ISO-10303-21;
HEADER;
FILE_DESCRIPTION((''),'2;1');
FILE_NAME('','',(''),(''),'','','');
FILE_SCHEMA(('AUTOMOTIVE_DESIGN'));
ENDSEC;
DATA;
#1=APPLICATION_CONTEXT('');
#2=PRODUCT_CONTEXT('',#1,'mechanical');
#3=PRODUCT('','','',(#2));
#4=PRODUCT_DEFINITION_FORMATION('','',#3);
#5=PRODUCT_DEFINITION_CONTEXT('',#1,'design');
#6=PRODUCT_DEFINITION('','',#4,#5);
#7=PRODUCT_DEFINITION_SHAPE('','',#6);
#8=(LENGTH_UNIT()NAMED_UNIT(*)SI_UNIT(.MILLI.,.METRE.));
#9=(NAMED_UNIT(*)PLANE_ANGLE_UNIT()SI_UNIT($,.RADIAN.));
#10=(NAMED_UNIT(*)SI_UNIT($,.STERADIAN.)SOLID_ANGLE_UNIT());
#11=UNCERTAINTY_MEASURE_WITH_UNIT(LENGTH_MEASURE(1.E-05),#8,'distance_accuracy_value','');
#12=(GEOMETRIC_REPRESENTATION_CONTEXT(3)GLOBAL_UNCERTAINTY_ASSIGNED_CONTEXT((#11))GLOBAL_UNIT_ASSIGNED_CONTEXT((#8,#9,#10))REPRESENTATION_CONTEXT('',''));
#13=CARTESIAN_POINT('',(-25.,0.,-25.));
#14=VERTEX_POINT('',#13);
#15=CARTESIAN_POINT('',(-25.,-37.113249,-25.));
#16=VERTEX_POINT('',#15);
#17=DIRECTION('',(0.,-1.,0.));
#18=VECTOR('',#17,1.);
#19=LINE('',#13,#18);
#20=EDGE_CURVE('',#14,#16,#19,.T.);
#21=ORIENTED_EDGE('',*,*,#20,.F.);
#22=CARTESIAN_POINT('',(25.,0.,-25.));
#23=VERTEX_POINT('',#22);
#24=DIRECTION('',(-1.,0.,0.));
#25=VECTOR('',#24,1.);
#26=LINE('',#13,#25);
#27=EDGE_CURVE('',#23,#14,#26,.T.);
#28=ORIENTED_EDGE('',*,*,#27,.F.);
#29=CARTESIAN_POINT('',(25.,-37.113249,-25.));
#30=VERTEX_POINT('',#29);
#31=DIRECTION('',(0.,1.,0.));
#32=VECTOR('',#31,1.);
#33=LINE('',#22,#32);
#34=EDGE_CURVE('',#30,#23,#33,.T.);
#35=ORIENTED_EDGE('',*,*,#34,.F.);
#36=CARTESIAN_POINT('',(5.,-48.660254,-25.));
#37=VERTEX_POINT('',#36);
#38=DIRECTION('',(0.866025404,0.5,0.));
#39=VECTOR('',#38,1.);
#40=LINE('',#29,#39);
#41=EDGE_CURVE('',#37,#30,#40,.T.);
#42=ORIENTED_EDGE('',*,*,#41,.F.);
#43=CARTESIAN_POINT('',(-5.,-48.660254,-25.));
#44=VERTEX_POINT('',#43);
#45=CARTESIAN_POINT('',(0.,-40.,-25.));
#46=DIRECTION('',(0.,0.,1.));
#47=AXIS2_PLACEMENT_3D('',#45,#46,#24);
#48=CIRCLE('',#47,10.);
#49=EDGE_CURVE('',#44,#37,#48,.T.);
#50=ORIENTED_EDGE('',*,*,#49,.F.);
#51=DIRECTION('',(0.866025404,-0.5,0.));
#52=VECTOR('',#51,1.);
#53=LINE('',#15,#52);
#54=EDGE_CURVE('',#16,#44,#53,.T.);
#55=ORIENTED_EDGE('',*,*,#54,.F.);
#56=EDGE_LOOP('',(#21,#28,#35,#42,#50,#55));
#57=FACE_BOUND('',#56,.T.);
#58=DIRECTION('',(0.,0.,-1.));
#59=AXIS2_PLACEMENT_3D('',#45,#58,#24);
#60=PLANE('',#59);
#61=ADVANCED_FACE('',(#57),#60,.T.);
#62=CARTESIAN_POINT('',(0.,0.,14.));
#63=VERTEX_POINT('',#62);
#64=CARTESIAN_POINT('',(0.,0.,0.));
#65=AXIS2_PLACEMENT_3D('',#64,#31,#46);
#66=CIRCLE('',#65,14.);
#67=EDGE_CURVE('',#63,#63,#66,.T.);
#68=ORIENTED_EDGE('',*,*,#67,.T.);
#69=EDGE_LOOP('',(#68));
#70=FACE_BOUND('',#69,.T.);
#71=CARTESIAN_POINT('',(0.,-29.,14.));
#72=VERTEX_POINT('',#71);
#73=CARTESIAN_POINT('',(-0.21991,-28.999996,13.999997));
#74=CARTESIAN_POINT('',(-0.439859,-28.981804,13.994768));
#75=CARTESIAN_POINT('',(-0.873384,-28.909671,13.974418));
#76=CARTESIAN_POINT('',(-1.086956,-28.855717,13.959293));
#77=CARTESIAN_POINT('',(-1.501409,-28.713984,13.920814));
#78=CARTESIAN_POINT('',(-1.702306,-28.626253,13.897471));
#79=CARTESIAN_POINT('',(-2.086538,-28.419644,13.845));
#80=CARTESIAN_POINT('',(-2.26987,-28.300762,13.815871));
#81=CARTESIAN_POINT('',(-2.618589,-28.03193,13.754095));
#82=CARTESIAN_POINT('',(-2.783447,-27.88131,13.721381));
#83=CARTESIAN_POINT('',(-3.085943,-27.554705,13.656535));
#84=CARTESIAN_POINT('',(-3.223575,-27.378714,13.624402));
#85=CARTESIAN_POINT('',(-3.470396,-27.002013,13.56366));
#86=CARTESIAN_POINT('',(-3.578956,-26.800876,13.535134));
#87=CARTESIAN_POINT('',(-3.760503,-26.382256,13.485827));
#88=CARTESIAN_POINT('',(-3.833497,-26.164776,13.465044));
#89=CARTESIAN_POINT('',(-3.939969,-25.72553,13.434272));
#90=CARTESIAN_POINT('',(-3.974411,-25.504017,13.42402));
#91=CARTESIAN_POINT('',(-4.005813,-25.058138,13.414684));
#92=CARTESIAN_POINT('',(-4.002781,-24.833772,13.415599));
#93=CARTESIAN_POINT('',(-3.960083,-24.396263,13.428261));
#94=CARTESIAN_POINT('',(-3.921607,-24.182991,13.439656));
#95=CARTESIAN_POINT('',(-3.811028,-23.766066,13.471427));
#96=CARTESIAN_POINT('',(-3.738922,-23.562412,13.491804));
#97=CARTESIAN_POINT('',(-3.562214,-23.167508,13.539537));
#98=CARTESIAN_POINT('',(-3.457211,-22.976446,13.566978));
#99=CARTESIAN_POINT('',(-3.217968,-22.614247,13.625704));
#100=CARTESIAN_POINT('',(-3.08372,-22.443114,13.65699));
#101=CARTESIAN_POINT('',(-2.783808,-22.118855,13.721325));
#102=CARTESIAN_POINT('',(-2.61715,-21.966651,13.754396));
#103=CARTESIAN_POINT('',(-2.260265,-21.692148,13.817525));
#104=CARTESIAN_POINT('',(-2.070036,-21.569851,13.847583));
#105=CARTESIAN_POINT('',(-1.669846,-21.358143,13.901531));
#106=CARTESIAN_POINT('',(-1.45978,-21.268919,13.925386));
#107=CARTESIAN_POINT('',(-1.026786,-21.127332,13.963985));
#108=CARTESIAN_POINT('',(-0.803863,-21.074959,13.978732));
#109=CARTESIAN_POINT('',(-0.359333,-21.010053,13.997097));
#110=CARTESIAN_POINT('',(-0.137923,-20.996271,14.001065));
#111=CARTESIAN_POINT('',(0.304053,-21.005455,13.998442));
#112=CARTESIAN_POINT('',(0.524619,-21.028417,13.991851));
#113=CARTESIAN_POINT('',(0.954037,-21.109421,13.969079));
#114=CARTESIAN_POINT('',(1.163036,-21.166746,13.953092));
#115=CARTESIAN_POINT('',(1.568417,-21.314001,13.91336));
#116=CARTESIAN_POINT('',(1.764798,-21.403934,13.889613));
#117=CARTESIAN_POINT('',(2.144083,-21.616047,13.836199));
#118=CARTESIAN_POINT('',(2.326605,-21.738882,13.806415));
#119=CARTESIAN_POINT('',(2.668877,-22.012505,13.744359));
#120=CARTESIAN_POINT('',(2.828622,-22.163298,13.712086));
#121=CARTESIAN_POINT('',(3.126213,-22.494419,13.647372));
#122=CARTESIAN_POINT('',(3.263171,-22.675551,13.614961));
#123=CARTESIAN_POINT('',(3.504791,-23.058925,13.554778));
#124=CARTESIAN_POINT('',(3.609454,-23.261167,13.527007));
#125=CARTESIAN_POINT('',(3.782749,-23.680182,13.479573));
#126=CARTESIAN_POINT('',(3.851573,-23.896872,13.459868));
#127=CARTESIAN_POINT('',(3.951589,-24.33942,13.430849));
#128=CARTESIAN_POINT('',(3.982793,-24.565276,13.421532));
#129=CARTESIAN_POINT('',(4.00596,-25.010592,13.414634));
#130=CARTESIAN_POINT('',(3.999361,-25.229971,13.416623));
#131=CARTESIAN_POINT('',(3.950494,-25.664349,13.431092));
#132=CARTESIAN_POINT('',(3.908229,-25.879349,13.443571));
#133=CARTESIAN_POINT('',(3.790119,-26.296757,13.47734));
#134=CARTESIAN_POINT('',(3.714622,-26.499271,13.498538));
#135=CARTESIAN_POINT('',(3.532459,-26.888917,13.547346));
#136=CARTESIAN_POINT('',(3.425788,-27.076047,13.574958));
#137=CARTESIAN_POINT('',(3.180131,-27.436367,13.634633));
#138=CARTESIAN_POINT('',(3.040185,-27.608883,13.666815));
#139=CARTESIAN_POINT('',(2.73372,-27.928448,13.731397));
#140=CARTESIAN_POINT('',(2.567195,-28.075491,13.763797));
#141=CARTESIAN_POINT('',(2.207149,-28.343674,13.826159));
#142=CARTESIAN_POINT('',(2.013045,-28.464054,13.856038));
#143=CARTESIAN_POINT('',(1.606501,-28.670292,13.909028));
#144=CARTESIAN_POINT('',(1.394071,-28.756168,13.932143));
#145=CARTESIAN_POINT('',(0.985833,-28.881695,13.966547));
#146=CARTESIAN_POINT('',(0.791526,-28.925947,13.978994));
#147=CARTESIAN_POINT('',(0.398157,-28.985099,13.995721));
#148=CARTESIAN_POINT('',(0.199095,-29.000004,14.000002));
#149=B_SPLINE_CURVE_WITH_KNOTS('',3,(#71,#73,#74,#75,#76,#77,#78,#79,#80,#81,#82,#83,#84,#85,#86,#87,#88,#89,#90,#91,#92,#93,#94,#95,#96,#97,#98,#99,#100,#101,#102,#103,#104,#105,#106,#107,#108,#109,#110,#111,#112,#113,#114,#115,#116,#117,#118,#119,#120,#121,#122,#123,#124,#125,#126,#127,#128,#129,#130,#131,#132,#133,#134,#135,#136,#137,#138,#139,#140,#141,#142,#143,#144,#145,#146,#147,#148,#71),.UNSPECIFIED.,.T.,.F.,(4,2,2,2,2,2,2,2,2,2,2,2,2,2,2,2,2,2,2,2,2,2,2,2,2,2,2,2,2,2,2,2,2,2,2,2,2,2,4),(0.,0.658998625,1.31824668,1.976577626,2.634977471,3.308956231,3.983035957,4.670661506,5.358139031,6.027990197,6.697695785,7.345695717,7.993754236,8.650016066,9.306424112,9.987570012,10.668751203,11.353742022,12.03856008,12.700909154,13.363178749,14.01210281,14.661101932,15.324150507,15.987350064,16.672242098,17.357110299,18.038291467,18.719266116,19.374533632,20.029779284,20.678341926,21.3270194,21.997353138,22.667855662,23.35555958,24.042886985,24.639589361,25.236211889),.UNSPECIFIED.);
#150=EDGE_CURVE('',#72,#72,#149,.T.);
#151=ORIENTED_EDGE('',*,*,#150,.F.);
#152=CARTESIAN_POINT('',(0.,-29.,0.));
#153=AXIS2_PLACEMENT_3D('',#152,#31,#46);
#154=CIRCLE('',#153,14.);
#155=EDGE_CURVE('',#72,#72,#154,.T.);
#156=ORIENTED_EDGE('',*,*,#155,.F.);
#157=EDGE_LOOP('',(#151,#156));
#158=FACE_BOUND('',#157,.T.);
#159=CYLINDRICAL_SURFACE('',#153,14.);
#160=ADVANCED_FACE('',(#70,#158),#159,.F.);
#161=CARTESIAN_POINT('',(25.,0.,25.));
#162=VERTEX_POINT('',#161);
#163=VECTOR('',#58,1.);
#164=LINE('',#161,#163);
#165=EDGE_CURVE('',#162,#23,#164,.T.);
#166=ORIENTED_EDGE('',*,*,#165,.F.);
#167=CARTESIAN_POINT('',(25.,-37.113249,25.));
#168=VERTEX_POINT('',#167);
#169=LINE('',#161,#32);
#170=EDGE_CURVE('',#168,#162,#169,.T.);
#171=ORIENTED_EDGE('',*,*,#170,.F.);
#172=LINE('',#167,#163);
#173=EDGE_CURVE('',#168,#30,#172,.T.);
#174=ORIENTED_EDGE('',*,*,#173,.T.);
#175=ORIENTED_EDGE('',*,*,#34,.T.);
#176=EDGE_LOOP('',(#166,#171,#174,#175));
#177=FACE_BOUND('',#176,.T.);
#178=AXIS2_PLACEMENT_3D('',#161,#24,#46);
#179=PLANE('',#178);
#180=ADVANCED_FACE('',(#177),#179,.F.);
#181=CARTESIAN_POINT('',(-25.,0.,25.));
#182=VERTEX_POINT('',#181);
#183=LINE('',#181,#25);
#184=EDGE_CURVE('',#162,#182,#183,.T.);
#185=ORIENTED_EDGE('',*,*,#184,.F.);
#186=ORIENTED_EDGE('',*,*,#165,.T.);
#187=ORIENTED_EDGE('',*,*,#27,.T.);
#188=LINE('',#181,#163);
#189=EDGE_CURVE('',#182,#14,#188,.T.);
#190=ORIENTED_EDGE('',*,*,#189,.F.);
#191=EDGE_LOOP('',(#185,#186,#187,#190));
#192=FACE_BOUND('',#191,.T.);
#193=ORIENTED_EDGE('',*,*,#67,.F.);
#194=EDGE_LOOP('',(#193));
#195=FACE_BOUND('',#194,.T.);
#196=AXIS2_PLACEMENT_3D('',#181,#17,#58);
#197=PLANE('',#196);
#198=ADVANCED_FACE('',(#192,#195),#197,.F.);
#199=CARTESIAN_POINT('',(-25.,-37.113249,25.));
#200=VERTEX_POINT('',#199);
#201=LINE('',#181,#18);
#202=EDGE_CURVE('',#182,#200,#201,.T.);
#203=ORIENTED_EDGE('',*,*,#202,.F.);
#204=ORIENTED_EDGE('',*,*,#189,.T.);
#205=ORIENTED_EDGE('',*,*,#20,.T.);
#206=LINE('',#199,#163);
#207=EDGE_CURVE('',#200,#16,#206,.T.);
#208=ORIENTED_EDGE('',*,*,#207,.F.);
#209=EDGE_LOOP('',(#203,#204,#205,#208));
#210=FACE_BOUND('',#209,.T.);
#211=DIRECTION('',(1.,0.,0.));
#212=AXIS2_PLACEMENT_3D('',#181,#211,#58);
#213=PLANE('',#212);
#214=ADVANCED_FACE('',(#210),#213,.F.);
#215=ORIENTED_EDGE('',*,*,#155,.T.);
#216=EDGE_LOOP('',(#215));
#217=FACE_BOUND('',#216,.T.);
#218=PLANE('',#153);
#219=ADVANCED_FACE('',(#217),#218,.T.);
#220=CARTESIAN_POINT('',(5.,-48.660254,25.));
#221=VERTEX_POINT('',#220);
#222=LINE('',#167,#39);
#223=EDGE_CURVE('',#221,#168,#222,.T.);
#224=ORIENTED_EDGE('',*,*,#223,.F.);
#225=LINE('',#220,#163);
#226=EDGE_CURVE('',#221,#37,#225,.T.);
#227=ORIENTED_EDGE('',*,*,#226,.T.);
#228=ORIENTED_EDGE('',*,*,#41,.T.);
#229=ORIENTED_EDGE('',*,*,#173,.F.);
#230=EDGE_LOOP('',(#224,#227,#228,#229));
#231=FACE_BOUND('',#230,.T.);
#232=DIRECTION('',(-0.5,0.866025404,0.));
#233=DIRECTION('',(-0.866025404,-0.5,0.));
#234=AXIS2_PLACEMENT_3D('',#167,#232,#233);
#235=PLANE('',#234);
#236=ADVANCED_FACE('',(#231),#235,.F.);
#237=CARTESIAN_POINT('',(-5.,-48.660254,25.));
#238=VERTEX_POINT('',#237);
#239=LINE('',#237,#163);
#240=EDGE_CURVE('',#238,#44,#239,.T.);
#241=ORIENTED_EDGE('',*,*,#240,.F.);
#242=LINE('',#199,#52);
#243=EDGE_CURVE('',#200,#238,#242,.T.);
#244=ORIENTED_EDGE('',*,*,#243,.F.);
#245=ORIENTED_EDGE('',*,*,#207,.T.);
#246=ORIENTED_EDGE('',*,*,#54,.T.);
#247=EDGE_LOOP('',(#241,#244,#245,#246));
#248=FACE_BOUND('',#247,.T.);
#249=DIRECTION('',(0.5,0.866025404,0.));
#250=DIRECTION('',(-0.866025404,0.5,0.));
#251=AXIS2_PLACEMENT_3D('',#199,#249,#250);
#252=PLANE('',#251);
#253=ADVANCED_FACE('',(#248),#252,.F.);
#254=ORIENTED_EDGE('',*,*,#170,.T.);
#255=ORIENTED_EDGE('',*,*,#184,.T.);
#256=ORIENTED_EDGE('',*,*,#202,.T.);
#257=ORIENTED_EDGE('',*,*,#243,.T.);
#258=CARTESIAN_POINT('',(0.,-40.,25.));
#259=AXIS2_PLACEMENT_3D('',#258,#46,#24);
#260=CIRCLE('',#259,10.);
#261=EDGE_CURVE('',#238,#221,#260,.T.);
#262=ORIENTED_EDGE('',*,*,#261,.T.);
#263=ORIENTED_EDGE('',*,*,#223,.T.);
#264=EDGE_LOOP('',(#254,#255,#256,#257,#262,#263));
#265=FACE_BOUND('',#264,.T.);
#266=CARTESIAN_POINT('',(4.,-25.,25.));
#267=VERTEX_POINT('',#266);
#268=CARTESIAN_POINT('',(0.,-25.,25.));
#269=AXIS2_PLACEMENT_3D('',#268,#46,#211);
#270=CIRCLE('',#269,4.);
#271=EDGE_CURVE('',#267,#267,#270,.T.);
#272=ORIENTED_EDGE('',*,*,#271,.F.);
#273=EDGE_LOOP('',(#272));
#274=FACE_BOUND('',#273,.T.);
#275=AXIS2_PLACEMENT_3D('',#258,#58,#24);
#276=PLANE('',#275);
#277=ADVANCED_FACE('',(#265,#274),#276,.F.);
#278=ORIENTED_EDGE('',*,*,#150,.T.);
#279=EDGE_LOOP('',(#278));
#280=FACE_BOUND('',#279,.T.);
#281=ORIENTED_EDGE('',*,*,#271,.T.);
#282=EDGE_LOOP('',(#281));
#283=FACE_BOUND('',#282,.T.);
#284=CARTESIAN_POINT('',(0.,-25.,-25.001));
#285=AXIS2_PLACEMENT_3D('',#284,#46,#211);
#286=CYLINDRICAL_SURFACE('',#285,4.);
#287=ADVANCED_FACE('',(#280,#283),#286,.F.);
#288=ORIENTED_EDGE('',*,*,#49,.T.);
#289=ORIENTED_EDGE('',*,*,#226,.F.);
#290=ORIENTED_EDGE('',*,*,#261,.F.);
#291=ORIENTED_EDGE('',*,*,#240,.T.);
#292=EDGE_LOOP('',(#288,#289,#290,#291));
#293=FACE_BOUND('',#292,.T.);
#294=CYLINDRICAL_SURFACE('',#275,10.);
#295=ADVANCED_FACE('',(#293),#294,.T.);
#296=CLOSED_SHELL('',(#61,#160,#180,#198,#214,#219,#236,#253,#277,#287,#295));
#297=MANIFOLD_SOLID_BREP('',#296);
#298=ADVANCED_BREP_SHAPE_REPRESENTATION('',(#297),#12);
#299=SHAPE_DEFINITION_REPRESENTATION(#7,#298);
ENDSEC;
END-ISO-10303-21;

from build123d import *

# Parameters (mm, degrees)
BOSS_EXTRUDE1_DEPTH = 25
SKETCH2_R           = 14
CUT_EXTRUDE1_DEPTH  = 29
CUT_EXTRUDE2_REACH  = 52
SKETCH3_R           = 4


with BuildPart() as part:
    # Sketch1 → Boss-Extrude1 (new body, symmetric)
    with BuildSketch(Plane.XY):
        with BuildLine():
            Line((-25, 0), (25, 0))
            Line((25, 0), (25, -37.113248654))
            Line((25, -37.113248654), (5, -48.660254038))
            ThreePointArc((5, -48.660254038), (0, -50), (-5, -48.660254038))
            Line((-5, -48.660254038), (-25, -37.113248654))
            Line((-25, -37.113248654), (-25, 0))
        make_face()
    extrude(amount=BOSS_EXTRUDE1_DEPTH, both=True)

    # Sketch2 → Cut-Extrude1 (cut)
    with BuildSketch(Plane(origin=(0, 0, 0), x_dir=(1, 0, 0), z_dir=(0, 1, 0))):
        Circle(SKETCH2_R)
    extrude(amount=-CUT_EXTRUDE1_DEPTH, mode=Mode.SUBTRACT)

    # Sketch3 → Cut-Extrude2 (cut, up to next)
    with BuildSketch(Plane.XY.offset(25), mode=Mode.PRIVATE) as cut_extrude2_sk1:
        with Locations((0, -25)):
            Circle(SKETCH3_R)
    cut_extrude2_tool1 = extrude(cut_extrude2_sk1.sketch, amount=-CUT_EXTRUDE2_REACH, mode=Mode.PRIVATE) & part.part
    add(cut_extrude2_tool1.solids().sort_by_distance((0, -25, 25))[0], mode=Mode.SUBTRACT)


solid = part.part
